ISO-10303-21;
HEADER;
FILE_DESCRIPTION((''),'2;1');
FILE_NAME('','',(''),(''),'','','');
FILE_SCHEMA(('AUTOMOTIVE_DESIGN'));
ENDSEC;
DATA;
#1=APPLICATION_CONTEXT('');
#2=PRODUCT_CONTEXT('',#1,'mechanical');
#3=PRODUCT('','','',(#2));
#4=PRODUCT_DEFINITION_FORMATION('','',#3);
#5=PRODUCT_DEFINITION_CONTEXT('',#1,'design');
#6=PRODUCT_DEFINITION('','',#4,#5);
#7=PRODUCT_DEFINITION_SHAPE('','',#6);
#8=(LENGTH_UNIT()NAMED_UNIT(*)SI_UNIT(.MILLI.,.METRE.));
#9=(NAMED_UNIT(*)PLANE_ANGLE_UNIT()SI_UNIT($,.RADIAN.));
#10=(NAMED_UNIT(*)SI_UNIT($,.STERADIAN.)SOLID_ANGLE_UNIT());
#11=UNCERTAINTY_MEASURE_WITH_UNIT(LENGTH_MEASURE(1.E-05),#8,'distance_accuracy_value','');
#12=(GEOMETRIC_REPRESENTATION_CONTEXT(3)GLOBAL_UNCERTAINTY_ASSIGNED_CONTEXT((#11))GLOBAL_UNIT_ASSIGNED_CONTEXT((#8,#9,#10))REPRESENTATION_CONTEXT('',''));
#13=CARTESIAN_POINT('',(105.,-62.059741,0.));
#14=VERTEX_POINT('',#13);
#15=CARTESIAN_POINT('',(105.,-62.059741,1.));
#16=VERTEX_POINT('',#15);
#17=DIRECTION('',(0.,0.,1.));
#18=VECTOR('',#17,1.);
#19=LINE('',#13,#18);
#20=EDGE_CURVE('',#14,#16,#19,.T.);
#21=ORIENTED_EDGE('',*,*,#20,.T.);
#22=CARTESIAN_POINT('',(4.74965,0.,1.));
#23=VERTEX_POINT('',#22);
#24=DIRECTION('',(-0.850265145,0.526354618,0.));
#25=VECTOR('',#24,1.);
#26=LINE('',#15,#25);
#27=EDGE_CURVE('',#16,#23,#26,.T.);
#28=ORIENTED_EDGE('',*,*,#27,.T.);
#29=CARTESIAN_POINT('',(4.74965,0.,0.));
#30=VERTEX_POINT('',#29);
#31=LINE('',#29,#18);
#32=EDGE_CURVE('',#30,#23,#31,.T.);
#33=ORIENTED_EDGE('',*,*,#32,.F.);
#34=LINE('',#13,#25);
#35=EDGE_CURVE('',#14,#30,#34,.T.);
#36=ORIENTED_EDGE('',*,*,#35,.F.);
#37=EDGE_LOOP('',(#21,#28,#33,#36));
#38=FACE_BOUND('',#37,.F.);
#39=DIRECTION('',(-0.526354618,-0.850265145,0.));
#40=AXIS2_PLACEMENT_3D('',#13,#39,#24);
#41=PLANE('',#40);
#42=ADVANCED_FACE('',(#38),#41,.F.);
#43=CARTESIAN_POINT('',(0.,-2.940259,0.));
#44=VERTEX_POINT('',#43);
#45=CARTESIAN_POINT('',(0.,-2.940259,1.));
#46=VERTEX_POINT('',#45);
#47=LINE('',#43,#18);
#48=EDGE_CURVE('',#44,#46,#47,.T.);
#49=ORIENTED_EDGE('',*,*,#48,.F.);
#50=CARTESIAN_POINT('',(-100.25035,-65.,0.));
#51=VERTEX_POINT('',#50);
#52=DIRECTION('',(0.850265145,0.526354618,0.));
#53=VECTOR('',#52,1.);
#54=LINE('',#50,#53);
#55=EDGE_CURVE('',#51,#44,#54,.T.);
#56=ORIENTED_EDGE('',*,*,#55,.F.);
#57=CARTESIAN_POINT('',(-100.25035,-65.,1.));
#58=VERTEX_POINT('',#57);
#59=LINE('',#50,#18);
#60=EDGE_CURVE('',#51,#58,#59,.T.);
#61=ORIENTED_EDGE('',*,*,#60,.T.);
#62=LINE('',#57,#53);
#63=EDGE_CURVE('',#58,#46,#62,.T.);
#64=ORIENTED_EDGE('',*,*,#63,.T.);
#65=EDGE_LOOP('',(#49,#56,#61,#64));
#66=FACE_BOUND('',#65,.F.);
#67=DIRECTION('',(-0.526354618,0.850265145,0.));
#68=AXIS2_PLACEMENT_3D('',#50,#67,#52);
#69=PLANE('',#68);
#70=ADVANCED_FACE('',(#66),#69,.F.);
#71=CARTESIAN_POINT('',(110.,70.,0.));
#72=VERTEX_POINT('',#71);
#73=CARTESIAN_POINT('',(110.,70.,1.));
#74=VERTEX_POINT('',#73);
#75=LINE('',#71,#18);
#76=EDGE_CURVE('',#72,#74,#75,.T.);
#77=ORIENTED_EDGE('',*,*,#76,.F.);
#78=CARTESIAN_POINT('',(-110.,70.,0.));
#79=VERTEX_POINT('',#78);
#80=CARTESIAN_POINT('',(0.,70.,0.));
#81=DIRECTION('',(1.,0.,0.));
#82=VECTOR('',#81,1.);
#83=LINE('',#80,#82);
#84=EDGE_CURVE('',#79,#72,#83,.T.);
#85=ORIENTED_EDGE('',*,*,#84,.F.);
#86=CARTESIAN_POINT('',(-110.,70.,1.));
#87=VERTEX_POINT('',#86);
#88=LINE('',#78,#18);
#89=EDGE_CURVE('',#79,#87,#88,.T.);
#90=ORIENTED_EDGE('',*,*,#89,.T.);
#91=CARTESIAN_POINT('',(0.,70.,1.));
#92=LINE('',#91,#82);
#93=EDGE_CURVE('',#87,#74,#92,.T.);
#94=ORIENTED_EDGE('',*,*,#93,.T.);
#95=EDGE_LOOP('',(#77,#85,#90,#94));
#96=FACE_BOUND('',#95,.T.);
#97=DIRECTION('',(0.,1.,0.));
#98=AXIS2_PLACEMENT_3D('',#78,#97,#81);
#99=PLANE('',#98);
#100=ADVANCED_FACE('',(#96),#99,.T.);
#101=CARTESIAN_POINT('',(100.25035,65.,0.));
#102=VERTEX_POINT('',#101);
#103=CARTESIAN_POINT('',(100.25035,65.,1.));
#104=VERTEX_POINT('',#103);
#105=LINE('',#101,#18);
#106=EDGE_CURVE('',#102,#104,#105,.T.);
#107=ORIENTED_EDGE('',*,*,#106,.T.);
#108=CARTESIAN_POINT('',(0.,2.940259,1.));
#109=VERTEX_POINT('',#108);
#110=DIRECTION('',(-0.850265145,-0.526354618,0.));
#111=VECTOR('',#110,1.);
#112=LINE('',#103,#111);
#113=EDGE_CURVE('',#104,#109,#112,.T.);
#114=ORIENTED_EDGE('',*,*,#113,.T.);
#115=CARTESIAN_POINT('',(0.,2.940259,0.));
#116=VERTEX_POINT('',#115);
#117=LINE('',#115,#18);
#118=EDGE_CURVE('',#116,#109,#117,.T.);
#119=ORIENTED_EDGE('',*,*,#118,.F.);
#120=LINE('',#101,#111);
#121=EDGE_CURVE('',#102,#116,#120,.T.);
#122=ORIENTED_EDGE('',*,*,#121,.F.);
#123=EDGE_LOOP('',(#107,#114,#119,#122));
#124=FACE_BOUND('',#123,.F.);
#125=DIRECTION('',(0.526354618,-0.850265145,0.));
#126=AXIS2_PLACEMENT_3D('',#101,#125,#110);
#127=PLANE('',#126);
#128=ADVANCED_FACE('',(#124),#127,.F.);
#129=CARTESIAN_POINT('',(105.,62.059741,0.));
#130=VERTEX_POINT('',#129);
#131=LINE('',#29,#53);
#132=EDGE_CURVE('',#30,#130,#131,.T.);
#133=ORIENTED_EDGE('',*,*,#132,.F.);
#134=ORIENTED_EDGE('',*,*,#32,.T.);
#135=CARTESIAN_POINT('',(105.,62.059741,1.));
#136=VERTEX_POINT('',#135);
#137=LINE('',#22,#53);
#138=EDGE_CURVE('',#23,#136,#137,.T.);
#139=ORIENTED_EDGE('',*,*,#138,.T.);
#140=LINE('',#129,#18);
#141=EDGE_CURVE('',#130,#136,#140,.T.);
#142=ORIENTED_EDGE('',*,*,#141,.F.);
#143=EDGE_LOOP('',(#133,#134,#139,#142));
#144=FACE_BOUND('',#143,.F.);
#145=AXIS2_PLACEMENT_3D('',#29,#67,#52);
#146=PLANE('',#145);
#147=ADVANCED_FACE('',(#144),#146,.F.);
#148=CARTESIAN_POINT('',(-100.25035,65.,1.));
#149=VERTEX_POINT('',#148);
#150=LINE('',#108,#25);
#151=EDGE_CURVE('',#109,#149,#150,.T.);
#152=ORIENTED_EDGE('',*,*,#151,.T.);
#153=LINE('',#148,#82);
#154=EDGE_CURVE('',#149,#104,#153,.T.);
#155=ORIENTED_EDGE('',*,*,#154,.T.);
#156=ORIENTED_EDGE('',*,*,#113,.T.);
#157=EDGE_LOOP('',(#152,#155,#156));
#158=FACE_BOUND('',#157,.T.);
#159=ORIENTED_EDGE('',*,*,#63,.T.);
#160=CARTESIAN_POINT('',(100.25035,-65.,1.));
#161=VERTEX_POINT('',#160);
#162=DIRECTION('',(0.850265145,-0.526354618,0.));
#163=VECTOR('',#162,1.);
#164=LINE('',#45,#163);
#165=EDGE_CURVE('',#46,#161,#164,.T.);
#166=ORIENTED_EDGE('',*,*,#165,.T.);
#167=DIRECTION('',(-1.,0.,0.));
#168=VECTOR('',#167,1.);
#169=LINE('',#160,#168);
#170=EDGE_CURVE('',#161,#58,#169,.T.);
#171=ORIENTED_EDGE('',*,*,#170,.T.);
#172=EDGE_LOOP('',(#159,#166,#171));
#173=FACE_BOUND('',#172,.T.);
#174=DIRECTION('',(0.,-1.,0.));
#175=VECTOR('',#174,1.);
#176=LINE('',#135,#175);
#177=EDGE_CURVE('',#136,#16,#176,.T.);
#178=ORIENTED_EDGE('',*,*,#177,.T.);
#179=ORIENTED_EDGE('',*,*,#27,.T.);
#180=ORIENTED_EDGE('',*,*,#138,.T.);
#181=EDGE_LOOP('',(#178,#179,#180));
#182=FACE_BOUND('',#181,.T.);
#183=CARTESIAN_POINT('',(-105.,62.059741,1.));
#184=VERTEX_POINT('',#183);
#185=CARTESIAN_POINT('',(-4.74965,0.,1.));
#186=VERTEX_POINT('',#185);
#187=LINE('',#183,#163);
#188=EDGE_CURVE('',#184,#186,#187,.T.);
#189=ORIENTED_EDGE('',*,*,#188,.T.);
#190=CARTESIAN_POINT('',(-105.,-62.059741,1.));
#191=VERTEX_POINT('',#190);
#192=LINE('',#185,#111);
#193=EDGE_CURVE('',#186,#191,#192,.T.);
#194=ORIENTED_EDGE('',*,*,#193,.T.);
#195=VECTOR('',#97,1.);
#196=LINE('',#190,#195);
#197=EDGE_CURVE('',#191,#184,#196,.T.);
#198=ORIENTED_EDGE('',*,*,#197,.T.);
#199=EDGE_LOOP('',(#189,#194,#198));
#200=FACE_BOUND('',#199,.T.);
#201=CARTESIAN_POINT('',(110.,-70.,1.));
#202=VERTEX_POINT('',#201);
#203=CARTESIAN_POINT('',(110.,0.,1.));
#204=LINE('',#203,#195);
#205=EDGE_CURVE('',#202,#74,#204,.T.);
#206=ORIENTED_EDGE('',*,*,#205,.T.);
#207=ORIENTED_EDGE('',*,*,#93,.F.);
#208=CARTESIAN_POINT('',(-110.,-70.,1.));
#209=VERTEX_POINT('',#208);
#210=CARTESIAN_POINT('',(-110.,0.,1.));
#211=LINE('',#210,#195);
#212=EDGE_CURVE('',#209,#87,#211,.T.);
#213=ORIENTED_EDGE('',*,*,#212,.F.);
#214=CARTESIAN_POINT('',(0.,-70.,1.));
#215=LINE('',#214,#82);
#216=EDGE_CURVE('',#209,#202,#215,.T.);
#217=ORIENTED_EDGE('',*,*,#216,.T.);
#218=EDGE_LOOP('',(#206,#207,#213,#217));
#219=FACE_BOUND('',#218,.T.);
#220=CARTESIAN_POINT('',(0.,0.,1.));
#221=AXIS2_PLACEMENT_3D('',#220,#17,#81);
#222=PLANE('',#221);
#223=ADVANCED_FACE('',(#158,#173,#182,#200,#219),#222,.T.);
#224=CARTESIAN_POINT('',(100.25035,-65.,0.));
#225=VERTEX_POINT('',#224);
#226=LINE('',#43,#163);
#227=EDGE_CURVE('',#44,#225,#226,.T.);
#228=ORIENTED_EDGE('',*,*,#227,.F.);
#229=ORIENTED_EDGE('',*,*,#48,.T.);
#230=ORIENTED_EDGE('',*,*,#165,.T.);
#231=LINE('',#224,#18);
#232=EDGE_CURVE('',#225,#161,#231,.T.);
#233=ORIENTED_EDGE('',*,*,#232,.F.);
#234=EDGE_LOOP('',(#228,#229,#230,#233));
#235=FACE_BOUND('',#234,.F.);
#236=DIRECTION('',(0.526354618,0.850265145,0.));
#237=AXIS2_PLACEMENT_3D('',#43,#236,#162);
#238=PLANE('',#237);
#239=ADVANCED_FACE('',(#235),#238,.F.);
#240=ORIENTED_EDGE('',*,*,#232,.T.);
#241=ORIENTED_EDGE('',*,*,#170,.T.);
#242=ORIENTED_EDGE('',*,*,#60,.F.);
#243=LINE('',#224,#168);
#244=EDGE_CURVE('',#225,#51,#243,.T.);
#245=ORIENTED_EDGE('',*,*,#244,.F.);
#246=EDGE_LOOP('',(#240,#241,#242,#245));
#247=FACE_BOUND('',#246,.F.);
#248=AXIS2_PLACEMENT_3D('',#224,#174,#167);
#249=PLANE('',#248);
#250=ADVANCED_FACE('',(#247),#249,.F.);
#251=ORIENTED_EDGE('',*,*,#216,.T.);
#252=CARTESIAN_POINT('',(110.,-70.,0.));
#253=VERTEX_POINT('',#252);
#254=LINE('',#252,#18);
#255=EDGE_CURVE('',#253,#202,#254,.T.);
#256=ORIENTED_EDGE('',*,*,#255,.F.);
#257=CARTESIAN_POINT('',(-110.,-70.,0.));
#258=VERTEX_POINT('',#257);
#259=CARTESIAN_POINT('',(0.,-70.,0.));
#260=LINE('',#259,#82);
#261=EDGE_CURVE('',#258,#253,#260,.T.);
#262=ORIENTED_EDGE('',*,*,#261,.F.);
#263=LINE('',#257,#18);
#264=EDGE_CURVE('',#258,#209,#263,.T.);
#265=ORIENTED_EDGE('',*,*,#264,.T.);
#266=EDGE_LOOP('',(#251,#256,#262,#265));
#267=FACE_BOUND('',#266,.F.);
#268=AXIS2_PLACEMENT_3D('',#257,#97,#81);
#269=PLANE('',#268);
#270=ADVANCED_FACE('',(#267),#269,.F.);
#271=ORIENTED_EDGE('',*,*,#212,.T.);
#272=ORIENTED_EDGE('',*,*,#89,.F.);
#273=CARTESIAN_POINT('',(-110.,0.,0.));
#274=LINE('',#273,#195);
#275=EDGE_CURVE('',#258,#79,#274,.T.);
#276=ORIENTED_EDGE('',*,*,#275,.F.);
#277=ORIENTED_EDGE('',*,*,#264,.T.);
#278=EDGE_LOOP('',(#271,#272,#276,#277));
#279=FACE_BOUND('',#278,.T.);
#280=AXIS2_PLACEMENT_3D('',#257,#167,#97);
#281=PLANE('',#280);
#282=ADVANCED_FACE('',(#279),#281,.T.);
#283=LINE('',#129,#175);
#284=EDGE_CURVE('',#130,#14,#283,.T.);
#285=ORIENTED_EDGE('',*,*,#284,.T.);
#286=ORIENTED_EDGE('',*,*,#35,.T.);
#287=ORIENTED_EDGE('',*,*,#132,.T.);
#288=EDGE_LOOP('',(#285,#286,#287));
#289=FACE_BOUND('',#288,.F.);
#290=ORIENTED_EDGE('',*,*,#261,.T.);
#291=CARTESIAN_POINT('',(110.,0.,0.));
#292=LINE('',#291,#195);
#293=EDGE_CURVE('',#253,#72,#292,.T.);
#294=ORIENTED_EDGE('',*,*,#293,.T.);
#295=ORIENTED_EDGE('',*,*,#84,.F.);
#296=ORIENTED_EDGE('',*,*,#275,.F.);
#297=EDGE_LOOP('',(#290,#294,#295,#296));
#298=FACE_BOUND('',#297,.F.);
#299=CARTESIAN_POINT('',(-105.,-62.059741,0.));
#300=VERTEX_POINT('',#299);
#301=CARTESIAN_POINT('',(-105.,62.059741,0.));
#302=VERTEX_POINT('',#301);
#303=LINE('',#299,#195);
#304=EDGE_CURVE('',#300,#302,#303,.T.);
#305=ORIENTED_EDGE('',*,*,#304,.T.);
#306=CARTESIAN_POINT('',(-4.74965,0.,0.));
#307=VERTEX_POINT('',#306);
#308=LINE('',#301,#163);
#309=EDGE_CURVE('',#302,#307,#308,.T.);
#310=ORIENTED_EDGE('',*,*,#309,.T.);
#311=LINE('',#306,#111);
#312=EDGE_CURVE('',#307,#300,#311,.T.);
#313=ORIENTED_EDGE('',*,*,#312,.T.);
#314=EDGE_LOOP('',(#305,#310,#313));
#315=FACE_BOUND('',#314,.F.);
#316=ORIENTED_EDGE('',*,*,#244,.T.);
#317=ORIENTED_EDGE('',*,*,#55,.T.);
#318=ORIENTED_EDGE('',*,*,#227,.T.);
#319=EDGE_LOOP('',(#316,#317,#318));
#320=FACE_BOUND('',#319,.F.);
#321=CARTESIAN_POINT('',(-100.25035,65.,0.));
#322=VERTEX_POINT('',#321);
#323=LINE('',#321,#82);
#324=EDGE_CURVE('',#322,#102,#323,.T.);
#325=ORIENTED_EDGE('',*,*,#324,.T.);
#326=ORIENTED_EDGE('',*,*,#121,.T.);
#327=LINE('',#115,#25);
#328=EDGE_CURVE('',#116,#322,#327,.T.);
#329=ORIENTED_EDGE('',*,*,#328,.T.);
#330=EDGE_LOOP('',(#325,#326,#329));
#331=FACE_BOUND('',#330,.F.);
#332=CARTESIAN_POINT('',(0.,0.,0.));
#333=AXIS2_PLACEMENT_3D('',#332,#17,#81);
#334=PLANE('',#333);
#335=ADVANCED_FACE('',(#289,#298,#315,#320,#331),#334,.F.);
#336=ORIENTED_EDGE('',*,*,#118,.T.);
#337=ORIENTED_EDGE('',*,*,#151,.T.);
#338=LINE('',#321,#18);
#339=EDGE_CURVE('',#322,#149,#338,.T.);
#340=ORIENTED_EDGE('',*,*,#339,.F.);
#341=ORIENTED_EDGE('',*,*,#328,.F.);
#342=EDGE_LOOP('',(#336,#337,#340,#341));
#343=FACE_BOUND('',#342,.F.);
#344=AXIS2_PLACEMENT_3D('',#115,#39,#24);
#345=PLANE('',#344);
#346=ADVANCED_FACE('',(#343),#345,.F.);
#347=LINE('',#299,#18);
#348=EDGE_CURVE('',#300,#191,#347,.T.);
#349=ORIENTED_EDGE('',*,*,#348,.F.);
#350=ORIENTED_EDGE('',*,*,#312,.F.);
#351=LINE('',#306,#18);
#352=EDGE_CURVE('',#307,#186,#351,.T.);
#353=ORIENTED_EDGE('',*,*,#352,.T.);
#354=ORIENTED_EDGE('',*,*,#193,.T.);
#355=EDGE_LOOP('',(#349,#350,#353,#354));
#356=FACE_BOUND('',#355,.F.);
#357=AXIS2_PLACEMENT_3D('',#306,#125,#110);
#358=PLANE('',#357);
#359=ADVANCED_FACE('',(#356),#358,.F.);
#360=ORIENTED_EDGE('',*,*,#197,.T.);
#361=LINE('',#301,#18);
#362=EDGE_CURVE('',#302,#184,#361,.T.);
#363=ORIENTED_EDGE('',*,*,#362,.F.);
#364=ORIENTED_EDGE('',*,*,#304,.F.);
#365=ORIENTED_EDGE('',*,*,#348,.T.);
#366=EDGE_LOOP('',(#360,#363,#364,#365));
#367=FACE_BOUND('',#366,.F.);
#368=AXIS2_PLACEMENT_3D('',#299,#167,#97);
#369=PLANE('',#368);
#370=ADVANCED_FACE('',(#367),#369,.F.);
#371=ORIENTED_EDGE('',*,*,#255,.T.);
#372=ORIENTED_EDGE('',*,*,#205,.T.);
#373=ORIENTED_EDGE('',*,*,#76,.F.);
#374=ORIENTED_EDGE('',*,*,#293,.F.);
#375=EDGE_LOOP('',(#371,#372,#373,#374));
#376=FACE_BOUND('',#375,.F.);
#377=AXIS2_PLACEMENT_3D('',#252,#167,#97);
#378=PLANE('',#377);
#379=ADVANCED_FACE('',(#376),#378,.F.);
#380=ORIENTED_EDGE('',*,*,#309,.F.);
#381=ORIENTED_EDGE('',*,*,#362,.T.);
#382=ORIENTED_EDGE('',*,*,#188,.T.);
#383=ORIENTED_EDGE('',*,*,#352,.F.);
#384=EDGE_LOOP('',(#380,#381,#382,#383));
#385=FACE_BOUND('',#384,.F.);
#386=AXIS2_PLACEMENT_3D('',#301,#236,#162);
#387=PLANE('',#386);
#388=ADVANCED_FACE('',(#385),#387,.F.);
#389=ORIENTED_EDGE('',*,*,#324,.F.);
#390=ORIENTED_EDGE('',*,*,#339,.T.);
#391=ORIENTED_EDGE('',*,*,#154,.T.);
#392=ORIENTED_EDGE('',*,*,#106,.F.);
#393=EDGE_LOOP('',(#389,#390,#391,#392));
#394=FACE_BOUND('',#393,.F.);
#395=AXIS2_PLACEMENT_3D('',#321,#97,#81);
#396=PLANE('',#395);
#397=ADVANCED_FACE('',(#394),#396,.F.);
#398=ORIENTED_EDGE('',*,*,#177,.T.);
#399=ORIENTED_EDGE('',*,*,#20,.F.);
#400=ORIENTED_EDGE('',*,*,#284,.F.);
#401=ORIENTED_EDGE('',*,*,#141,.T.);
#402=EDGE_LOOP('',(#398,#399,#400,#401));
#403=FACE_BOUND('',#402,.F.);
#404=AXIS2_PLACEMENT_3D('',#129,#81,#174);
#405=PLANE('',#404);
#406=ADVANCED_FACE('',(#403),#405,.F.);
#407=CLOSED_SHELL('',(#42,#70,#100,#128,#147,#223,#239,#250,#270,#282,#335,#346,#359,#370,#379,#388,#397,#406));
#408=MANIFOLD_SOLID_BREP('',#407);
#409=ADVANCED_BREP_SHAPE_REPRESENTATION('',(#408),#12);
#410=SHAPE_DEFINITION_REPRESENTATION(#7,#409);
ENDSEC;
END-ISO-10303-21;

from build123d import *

# Parameters (mm, degrees)
F0_W     = 220
F0_H     = 140
F1_DEPTH = 1


with BuildPart() as f1:
    # F0 (on Top) → F1 (new body)
    with BuildSketch(Plane.XY):
        Rectangle(F0_W, F0_H)
        Polygon((0, -2.940259), (100.25035, -65), (-100.25035, -65), align=None, mode=Mode.SUBTRACT)
        Polygon((-4.74965, 0), (-105, -62.059741), (-105, 62.059741), align=None, mode=Mode.SUBTRACT)
        Polygon((105, 62.059741), (105, -62.059741), (4.74965, 0), align=None, mode=Mode.SUBTRACT)
        Polygon((-100.25035, 65), (100.25035, 65), (0, 2.940259), align=None, mode=Mode.SUBTRACT)
    extrude(amount=F1_DEPTH)


solid = f1.part
